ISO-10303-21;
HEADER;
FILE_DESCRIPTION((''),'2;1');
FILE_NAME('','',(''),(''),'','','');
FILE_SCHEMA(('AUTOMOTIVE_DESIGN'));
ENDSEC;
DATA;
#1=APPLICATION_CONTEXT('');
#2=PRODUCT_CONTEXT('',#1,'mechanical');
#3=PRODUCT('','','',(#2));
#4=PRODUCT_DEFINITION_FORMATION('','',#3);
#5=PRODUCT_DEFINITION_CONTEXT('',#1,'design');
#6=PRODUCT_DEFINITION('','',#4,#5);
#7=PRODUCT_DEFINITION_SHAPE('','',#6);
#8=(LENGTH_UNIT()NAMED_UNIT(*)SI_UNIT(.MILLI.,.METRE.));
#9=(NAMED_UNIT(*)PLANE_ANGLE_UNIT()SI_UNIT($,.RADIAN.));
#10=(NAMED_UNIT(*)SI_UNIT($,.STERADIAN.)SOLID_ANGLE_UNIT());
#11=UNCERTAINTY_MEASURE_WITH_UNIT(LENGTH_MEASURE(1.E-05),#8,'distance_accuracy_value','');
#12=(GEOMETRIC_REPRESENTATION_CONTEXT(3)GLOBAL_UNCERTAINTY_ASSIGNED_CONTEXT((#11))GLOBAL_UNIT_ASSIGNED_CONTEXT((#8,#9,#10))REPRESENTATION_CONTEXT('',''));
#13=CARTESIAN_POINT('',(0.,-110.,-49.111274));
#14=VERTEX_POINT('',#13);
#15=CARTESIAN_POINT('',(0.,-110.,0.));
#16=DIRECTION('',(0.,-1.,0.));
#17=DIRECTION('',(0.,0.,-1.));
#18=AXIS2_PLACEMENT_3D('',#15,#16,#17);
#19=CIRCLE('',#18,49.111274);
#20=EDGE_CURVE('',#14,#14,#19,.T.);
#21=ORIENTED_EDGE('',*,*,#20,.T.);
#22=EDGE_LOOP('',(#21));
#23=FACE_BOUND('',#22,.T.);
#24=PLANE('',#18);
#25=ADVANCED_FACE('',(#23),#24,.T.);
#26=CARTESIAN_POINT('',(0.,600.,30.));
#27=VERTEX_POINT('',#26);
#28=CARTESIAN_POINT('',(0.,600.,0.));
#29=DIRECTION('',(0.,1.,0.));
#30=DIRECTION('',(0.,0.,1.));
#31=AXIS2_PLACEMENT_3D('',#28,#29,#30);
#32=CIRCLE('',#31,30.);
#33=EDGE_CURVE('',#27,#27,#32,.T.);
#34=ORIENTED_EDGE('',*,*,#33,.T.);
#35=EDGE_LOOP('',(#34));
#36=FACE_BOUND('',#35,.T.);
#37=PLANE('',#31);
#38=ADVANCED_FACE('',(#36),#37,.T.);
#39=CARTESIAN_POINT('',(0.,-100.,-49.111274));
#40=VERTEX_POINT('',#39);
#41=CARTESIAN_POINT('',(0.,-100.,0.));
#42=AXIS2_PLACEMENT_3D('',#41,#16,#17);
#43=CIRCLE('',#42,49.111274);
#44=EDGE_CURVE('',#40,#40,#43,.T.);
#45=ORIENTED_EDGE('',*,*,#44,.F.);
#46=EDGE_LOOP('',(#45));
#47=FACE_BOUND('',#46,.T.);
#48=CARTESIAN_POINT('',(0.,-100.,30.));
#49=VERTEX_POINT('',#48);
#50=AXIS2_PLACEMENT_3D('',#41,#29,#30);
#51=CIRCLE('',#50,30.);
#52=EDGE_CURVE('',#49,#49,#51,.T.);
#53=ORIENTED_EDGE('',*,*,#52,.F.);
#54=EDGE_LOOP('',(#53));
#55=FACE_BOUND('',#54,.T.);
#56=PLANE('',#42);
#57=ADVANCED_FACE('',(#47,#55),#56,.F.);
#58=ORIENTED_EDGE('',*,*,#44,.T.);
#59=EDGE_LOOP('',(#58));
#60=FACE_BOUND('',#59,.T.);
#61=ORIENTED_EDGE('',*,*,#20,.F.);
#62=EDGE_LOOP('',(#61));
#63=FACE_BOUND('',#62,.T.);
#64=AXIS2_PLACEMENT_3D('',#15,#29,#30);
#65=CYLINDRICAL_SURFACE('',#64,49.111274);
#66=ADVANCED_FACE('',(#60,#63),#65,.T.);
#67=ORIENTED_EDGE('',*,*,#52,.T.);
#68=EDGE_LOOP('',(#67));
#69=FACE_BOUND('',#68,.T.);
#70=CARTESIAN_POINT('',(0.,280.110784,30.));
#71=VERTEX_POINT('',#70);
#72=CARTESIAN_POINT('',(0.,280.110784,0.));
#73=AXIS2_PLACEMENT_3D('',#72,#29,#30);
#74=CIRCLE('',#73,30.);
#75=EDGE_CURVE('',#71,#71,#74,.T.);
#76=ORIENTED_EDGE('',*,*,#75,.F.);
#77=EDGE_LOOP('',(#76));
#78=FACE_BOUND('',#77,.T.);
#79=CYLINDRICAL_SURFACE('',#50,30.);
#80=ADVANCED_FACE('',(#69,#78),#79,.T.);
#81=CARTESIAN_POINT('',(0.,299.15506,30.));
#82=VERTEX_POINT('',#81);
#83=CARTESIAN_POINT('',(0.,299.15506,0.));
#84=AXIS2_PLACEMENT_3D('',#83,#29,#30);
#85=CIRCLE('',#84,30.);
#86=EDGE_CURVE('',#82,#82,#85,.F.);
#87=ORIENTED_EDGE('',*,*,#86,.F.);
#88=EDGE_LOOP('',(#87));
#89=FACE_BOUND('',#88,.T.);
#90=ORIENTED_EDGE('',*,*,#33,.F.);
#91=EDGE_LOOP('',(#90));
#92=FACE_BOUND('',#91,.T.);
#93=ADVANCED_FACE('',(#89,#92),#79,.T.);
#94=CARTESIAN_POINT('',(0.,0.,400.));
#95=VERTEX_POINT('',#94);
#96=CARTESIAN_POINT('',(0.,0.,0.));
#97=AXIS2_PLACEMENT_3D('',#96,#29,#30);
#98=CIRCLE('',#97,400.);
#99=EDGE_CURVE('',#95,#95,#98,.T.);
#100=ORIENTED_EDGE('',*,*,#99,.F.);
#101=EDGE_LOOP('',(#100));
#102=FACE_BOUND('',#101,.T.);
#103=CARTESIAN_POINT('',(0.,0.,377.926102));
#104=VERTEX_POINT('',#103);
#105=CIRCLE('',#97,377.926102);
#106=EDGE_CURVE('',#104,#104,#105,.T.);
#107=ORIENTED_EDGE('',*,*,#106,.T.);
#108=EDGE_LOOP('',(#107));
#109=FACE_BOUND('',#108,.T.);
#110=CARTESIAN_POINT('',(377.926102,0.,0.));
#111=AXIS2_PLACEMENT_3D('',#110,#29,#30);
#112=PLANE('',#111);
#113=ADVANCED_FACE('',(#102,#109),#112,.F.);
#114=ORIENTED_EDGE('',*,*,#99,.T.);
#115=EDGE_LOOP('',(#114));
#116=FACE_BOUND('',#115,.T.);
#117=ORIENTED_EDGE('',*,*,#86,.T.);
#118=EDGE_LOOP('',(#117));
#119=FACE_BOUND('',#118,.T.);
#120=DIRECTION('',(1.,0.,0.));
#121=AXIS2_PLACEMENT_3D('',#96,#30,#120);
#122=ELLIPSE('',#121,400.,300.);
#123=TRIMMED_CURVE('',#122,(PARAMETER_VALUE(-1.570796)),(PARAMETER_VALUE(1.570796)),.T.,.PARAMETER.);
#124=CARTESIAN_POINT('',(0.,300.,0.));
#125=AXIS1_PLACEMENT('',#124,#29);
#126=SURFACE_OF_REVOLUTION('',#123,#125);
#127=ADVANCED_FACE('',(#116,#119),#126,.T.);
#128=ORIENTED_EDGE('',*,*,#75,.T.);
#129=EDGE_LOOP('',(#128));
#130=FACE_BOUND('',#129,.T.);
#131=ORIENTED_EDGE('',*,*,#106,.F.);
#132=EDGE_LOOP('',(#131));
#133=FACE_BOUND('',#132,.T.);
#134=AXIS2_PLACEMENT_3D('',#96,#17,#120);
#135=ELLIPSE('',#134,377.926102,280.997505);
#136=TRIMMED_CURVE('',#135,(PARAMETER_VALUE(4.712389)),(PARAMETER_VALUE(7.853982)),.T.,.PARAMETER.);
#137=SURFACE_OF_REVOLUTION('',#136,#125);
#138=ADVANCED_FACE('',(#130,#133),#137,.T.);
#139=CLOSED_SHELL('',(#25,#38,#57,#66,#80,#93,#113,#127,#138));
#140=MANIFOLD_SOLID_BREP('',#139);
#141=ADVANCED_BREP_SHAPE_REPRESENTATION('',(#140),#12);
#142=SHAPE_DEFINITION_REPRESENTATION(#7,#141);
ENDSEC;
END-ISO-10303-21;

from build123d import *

# Parameters (mm, degrees)
ESTRUSIONE_ESTRUSIONE1_DEPTH      = 600
ESTRUSIONE_ESTRUSIONE1_DEPTH_BACK = 100
SCHIZZO6_R                        = 30
SCHIZZO7_R                        = 49.111274452
ESTRUSIONE_ESTRUSIONE2_DEPTH      = 10


with BuildPart() as part:
    # Schizzo1 → Rivoluzione2 (revolve)
    with BuildSketch(Plane.XY):
        with BuildLine():
            Line((0, 280.99750454), (0, 300))
            add(Edge.make_bspline(
                [(400, 0), (400, 300), (0, 300)],
                knots=[0, 0, 0, 1.570796327, 1.570796327, 1.570796327], degree=2, weights=[1, 0.707106781, 1]))
            Line((400, 0), (377.926101554, 0))
            add(Edge.make_bspline(
                [(377.926101554, 0), (377.926101554, 280.99750454), (0, 280.99750454)],
                knots=[0, 0, 0, 1.570796327, 1.570796327, 1.570796327], degree=2, weights=[1, 0.707106781, 1]))
        make_face()
    revolve(axis=Axis((0, 300, 0), (0, -1, 0)))

    # Schizzo6 → Estrusione-Estrusione1 (add, two sides: drawn at the far end of the back side and taken through both)
    with BuildSketch(Plane(origin=(0, 0, 0), x_dir=(1, 0, 0), z_dir=(0, 1, 0)).offset(-ESTRUSIONE_ESTRUSIONE1_DEPTH_BACK)):
        with Locations(Location((0, 0, 0), (0, 0, 270))):
            Circle(SCHIZZO6_R)
    extrude(amount=ESTRUSIONE_ESTRUSIONE1_DEPTH + ESTRUSIONE_ESTRUSIONE1_DEPTH_BACK)

    # Schizzo7 → Estrusione-Estrusione2 (add)
    with BuildSketch(Plane.XZ.offset(100)):
        with Locations(Location((0, 0, 0), (0, 0, 270))):
            Circle(SCHIZZO7_R)
    extrude(amount=ESTRUSIONE_ESTRUSIONE2_DEPTH)


solid = part.part
